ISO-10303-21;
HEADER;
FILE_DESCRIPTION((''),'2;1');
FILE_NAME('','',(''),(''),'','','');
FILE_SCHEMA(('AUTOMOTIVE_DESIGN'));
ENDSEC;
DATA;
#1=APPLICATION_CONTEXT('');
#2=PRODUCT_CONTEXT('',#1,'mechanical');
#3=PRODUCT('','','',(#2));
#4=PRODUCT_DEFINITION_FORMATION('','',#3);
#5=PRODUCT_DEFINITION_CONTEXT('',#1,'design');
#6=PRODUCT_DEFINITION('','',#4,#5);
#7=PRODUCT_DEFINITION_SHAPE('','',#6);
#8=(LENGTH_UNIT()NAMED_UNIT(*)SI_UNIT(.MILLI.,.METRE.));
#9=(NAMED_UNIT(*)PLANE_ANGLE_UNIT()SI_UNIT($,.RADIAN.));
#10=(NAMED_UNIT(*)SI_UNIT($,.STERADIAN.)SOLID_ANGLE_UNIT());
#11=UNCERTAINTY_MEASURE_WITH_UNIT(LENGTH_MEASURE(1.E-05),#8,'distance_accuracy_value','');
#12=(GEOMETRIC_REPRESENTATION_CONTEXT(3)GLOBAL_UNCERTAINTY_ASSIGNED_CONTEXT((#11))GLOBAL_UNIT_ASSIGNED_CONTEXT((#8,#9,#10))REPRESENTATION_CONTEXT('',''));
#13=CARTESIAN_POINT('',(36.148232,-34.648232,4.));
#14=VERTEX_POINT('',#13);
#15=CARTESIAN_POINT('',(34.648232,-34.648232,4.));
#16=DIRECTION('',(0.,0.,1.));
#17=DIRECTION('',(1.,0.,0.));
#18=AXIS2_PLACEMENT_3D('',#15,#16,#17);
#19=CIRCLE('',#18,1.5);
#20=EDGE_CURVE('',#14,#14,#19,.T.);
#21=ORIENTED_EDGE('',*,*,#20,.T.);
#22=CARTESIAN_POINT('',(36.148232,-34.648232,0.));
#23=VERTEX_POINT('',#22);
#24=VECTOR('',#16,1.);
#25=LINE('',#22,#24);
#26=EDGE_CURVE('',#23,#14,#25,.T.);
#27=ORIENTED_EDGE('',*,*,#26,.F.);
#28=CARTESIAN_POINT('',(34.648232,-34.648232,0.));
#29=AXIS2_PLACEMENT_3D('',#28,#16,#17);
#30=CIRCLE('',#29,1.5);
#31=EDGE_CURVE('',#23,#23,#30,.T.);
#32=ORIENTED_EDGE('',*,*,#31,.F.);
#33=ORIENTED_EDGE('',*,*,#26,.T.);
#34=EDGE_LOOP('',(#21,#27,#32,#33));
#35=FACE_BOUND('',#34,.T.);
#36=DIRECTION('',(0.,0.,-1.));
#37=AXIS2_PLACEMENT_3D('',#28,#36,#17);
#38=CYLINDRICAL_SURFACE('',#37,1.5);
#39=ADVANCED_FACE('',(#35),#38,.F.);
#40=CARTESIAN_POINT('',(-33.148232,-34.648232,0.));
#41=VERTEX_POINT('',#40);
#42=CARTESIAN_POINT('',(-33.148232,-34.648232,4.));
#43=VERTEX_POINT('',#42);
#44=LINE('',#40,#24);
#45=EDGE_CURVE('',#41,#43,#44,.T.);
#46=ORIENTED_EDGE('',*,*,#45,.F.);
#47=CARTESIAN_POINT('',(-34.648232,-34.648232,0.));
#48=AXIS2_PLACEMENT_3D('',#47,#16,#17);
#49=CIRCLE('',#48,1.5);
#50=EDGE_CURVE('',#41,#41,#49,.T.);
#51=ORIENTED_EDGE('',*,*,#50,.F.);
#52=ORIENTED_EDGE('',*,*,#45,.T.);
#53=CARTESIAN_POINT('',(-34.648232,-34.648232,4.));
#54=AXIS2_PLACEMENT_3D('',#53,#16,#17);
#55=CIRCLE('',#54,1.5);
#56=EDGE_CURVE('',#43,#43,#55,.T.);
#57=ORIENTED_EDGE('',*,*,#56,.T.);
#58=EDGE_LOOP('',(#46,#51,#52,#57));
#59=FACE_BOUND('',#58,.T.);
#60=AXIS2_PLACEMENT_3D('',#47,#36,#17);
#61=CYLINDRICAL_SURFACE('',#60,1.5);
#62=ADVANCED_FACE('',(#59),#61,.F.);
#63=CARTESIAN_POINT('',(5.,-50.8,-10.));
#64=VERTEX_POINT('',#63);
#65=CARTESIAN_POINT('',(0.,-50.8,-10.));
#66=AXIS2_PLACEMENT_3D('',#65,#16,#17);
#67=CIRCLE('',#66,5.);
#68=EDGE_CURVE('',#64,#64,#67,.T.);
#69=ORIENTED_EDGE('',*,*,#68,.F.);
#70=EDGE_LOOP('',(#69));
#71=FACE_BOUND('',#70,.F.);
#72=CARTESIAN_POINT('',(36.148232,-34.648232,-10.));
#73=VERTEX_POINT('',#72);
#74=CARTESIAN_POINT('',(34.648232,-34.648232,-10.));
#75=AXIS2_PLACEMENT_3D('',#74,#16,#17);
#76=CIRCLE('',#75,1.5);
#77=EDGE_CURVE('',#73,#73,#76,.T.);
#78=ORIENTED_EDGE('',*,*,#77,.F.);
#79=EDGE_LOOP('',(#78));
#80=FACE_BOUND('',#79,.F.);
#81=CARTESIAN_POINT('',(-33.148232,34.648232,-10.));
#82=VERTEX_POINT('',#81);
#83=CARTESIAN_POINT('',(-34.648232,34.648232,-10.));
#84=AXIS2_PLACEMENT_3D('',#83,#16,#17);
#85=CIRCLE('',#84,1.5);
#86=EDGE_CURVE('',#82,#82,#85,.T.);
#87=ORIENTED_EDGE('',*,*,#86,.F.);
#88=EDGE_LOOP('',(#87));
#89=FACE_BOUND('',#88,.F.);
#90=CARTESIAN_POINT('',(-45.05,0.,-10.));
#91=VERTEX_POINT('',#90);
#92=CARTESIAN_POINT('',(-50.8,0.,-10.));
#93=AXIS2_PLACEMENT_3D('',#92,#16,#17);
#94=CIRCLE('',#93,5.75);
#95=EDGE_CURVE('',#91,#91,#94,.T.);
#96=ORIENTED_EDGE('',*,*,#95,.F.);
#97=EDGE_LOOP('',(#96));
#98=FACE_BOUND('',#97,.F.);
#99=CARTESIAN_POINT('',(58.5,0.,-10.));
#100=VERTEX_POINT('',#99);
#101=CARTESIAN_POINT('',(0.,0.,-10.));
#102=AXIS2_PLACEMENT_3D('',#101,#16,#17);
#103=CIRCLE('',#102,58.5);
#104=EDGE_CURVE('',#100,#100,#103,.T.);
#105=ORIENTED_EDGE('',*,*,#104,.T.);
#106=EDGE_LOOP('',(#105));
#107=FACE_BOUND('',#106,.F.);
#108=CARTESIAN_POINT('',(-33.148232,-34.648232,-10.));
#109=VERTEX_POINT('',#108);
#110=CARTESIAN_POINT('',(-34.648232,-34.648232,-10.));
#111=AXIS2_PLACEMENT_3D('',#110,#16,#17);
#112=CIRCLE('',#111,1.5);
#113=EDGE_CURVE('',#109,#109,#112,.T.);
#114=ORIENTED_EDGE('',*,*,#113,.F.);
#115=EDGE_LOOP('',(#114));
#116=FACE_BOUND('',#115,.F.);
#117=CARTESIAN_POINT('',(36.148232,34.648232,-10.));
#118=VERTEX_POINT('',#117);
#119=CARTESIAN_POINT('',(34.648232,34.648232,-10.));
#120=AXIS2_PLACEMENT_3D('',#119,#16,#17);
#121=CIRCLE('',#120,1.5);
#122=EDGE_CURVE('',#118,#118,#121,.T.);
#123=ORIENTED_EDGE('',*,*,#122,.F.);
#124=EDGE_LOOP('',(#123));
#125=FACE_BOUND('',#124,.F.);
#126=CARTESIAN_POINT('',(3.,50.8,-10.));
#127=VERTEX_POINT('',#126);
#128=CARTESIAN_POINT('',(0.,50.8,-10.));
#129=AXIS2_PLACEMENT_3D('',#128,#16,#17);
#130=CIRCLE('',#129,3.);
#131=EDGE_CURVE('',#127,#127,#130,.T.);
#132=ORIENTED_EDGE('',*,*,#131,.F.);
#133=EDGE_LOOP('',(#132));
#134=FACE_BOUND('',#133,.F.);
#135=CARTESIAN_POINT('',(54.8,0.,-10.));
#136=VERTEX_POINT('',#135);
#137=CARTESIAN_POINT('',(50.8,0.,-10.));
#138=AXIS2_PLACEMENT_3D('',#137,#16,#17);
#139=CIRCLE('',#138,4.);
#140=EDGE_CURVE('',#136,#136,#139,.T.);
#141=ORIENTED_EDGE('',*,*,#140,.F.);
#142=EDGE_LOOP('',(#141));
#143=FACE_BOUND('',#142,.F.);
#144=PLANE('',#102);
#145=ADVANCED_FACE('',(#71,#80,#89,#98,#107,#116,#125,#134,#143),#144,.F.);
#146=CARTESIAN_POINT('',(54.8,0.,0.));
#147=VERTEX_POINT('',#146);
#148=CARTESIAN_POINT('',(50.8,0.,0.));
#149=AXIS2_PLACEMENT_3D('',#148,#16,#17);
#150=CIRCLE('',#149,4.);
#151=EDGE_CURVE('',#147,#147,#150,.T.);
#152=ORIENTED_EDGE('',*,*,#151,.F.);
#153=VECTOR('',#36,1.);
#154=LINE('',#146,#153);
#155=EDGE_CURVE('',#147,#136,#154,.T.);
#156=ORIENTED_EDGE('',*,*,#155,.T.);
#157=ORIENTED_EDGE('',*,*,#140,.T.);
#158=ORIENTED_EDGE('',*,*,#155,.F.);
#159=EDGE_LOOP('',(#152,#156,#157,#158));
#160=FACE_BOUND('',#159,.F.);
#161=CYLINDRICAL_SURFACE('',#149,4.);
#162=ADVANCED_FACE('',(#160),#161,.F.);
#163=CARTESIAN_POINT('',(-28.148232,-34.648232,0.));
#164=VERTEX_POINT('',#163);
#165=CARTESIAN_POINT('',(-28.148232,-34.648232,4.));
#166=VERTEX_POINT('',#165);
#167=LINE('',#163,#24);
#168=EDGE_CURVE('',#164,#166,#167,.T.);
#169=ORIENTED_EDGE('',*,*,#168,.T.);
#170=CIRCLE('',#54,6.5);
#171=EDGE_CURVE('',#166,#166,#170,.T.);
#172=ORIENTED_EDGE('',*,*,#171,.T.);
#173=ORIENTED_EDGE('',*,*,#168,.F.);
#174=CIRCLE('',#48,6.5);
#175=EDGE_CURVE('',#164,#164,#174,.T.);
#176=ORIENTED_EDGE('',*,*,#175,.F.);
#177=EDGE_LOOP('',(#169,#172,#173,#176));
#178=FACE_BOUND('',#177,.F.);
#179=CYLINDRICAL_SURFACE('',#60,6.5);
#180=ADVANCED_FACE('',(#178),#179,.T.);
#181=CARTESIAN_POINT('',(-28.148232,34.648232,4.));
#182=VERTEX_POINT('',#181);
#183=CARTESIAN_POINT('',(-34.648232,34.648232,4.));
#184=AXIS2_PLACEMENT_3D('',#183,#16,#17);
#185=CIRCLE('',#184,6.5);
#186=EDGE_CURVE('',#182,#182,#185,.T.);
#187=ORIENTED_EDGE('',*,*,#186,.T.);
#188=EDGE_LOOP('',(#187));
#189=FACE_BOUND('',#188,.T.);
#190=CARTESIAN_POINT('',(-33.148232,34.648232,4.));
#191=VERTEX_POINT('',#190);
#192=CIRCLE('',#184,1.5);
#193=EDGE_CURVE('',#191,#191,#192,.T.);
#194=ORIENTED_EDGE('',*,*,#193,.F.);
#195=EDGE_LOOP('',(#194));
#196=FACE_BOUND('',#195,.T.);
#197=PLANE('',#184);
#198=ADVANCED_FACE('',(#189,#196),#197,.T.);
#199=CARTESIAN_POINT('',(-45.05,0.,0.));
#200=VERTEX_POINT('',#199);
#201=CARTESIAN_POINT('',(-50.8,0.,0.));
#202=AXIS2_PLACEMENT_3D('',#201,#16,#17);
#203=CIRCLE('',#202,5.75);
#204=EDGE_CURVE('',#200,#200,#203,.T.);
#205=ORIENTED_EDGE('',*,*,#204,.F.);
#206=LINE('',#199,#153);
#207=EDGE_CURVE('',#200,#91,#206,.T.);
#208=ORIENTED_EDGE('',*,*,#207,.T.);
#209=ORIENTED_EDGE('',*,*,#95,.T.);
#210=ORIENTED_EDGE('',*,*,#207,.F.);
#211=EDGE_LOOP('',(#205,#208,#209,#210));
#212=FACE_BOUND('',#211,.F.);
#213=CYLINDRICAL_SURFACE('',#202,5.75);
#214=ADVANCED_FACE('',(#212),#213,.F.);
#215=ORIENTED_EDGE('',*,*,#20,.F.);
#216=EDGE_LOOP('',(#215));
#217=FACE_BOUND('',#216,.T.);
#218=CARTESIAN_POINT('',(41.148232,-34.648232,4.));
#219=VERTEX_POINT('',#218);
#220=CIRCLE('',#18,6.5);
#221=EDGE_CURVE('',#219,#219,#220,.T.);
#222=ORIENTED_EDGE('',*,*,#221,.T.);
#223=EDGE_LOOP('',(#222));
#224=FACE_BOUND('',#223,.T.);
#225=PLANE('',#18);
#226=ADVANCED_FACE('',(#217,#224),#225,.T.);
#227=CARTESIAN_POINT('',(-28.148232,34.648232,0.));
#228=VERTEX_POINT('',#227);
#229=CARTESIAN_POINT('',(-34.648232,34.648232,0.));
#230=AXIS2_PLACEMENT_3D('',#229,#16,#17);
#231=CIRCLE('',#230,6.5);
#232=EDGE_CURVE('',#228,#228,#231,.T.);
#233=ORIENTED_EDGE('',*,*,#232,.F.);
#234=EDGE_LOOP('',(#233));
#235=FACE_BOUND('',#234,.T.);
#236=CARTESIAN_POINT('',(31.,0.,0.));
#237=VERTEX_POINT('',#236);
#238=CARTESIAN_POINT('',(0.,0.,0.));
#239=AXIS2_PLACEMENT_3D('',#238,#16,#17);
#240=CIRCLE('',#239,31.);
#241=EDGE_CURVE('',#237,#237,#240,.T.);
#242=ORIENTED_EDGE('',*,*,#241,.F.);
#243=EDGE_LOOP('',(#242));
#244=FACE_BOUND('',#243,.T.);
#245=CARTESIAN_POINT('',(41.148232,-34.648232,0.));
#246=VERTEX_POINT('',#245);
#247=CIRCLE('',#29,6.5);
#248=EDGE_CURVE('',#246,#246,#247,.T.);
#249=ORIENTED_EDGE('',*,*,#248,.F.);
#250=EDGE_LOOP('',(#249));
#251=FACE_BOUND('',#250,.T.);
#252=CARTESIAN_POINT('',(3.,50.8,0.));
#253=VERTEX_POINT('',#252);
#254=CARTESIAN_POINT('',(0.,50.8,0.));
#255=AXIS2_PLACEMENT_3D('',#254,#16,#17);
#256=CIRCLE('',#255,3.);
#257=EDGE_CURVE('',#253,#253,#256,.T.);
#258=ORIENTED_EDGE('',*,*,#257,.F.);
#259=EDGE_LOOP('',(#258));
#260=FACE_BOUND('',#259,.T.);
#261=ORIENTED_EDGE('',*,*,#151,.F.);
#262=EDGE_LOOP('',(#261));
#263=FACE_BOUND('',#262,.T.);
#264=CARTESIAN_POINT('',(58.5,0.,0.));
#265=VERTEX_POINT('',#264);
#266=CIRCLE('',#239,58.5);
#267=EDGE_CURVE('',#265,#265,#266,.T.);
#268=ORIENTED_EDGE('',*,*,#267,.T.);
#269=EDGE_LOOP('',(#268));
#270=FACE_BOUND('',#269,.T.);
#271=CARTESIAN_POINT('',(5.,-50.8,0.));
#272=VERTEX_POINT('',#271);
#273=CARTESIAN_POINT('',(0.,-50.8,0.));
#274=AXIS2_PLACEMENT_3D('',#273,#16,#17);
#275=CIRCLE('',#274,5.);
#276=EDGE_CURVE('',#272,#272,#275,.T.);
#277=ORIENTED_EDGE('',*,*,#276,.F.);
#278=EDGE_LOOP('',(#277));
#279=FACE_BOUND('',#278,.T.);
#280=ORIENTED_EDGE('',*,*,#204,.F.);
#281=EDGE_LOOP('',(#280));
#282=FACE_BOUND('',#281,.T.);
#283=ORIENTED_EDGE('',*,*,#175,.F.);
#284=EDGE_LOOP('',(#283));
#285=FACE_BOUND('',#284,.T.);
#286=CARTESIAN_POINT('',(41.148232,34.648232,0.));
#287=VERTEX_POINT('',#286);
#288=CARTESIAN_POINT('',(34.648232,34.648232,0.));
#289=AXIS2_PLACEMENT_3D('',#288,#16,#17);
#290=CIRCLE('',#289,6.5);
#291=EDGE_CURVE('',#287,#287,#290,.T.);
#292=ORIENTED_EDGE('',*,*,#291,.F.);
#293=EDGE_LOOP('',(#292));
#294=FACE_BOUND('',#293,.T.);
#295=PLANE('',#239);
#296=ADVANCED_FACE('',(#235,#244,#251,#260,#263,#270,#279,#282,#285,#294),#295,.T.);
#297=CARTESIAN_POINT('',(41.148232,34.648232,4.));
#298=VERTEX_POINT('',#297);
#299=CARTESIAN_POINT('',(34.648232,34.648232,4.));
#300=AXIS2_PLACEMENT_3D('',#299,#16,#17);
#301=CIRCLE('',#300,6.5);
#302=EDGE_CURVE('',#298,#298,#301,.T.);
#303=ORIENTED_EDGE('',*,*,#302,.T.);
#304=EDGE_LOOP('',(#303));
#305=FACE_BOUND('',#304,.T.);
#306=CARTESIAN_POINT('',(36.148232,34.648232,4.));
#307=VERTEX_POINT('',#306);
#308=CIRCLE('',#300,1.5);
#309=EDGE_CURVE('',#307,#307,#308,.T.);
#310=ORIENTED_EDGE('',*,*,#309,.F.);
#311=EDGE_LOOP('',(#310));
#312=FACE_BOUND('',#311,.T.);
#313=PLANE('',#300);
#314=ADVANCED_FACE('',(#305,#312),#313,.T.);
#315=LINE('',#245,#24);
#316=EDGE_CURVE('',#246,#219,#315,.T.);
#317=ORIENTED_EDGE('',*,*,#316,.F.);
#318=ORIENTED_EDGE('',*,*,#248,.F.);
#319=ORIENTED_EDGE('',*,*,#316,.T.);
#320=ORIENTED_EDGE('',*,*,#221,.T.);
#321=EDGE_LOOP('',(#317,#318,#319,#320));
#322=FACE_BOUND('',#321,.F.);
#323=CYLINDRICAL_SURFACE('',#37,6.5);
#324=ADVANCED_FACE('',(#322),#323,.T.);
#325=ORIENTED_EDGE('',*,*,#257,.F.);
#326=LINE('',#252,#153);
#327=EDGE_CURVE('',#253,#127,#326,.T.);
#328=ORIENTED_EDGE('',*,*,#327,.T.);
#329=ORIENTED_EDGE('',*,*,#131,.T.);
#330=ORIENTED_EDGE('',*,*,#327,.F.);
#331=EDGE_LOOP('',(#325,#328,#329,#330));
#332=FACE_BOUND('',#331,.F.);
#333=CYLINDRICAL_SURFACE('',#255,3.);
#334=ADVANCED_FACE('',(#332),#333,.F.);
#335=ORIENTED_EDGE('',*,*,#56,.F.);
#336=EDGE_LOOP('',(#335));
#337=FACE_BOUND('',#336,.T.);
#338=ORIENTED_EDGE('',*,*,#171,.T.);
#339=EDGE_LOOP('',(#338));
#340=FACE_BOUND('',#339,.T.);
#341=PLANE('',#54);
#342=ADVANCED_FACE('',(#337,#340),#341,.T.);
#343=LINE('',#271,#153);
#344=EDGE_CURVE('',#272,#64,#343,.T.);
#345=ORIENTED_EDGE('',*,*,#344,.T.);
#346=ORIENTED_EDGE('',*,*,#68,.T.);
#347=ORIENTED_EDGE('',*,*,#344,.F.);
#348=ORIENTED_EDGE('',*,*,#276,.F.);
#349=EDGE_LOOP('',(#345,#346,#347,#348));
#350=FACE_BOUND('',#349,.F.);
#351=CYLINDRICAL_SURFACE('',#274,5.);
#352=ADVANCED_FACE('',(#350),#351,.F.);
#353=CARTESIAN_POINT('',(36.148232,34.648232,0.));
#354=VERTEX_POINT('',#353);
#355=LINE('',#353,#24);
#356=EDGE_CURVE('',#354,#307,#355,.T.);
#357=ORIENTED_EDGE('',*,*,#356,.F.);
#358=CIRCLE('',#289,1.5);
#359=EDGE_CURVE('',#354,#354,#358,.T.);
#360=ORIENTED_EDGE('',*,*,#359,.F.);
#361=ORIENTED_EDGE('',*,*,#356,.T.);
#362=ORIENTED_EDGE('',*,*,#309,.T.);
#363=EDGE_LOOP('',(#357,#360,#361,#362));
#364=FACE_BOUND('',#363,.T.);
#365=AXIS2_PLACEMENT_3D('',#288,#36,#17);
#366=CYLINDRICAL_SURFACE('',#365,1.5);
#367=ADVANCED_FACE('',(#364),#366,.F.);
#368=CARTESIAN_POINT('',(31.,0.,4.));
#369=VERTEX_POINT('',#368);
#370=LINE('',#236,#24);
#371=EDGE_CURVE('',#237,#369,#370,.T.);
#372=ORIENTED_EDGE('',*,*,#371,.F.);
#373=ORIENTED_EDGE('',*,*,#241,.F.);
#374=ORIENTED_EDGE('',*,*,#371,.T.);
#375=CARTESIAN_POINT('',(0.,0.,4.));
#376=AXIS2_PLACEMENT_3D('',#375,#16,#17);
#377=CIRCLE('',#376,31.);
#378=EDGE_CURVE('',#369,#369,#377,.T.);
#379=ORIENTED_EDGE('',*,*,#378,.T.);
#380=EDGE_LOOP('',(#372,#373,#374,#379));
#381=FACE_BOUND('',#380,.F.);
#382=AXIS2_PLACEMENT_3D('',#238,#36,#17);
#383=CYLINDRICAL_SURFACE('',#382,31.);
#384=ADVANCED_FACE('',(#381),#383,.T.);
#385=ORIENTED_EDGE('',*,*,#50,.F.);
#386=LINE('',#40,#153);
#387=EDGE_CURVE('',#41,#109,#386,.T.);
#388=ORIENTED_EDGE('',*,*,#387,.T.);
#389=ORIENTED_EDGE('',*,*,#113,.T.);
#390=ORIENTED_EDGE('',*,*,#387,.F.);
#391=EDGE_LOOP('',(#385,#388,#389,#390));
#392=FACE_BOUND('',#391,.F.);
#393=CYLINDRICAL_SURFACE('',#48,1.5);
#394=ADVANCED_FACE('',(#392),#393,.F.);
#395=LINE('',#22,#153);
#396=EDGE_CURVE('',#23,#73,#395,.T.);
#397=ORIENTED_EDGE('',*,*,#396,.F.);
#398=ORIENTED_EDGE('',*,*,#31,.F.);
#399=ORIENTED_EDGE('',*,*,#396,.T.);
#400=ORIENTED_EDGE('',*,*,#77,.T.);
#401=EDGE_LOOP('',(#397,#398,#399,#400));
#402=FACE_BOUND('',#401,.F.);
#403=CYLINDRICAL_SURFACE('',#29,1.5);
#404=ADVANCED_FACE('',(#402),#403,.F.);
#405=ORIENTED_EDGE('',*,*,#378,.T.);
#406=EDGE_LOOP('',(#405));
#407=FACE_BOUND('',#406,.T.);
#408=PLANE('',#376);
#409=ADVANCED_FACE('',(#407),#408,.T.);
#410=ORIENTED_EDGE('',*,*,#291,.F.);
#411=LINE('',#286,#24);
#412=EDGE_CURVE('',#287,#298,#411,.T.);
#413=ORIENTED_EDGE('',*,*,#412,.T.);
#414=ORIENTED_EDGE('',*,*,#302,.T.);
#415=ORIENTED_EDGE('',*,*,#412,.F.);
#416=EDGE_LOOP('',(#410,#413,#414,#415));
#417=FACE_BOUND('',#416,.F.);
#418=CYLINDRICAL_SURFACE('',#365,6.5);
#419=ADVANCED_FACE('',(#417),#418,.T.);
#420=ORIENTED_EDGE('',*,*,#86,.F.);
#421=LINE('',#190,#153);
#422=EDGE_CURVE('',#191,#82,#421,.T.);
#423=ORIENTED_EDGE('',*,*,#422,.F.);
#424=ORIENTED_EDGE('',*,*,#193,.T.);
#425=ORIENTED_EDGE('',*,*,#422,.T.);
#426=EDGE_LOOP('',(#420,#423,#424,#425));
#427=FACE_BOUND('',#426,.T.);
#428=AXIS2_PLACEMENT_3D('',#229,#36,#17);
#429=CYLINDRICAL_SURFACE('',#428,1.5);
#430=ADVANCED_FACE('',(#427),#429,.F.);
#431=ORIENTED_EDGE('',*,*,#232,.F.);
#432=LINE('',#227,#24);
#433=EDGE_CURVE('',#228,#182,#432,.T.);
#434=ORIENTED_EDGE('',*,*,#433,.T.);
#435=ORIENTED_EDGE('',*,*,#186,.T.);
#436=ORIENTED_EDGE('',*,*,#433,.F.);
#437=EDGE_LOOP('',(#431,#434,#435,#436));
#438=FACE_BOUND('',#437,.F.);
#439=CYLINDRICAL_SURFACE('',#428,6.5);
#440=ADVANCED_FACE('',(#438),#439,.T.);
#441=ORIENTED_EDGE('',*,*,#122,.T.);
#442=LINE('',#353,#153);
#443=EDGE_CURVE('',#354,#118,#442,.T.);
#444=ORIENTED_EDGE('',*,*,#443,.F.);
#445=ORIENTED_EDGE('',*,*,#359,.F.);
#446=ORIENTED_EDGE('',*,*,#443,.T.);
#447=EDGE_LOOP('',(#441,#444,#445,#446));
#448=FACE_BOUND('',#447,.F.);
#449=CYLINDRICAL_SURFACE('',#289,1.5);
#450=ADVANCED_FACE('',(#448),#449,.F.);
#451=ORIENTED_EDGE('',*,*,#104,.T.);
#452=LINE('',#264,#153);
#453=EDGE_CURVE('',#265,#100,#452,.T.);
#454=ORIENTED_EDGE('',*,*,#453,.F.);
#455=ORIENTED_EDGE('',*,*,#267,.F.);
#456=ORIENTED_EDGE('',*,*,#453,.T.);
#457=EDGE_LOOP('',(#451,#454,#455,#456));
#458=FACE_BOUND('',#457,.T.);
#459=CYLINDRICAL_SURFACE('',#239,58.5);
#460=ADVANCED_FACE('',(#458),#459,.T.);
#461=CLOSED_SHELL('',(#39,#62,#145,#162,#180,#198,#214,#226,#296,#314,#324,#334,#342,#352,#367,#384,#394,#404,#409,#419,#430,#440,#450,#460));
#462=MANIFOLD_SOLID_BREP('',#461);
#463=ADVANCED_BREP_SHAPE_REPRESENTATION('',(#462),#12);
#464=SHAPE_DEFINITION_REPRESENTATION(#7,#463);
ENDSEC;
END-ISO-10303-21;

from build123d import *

# Parameters (mm, degrees)
F0_R     = 58.5
F0_R_2   = 6.5
F0_R_3   = 5
F0_R_4   = 5.75
F0_R_5   = 31
F0_R_6   = 4
F0_R_7   = 3
F0_R_8   = 1.5
F1_DEPTH = 10
F2_DEPTH = 4


with BuildPart() as f1:
    # F0 (on Top) → F1 (new body)
    with BuildSketch(Plane.XY):
        Circle(F0_R)
        with Locations((-34.648232, -34.648232)):
            Circle(F0_R_2, mode=Mode.SUBTRACT)
        with Locations((0, -50.8)):
            Circle(F0_R_3, mode=Mode.SUBTRACT)
        with Locations((34.648232, -34.648232)):
            Circle(F0_R_2, mode=Mode.SUBTRACT)
        with Locations((-50.8, 0)):
            Circle(F0_R_4, mode=Mode.SUBTRACT)
        with Locations((-34.648232, 34.648232)):
            Circle(F0_R_2, mode=Mode.SUBTRACT)
        Circle(F0_R_5, mode=Mode.SUBTRACT)
        with Locations((50.8, 0)):
            Circle(F0_R_6, mode=Mode.SUBTRACT)
        with Locations((0, 50.8)):
            Circle(F0_R_7, mode=Mode.SUBTRACT)
        with Locations((34.648232, 34.648232)):
            Circle(F0_R_2, mode=Mode.SUBTRACT)
        with Locations((-34.648232, 34.648232)):
            Circle(F0_R_2)
        with Locations((-34.648232, 34.648232)):
            Circle(F0_R_8, mode=Mode.SUBTRACT)
        with Locations((34.648232, 34.648232)):
            Circle(F0_R_2)
        with Locations((34.648232, 34.648232)):
            Circle(F0_R_8, mode=Mode.SUBTRACT)
        with Locations((34.648232, -34.648232)):
            Circle(F0_R_2)
        with Locations((34.648232, -34.648232)):
            Circle(F0_R_8, mode=Mode.SUBTRACT)
        with Locations((-34.648232, -34.648232)):
            Circle(F0_R_2)
        with Locations((-34.648232, -34.648232)):
            Circle(F0_R_8, mode=Mode.SUBTRACT)
        Circle(F0_R_5)
    extrude(amount=-F1_DEPTH)

    # F0 (on Top) → F2 (join)
    with BuildSketch(Plane.XY):
        with Locations((-34.648232, 34.648232)):
            Circle(F0_R_2)
        with Locations((-34.648232, 34.648232)):
            Circle(F0_R_8, mode=Mode.SUBTRACT)
        with Locations((34.648232, 34.648232)):
            Circle(F0_R_2)
        with Locations((34.648232, 34.648232)):
            Circle(F0_R_8, mode=Mode.SUBTRACT)
        with Locations((34.648232, -34.648232)):
            Circle(F0_R_2)
        with Locations((34.648232, -34.648232)):
            Circle(F0_R_8, mode=Mode.SUBTRACT)
        with Locations((-34.648232, -34.648232)):
            Circle(F0_R_2)
        with Locations((-34.648232, -34.648232)):
            Circle(F0_R_8, mode=Mode.SUBTRACT)
        Circle(F0_R_5)
    extrude(amount=F2_DEPTH)


solid = f1.part
